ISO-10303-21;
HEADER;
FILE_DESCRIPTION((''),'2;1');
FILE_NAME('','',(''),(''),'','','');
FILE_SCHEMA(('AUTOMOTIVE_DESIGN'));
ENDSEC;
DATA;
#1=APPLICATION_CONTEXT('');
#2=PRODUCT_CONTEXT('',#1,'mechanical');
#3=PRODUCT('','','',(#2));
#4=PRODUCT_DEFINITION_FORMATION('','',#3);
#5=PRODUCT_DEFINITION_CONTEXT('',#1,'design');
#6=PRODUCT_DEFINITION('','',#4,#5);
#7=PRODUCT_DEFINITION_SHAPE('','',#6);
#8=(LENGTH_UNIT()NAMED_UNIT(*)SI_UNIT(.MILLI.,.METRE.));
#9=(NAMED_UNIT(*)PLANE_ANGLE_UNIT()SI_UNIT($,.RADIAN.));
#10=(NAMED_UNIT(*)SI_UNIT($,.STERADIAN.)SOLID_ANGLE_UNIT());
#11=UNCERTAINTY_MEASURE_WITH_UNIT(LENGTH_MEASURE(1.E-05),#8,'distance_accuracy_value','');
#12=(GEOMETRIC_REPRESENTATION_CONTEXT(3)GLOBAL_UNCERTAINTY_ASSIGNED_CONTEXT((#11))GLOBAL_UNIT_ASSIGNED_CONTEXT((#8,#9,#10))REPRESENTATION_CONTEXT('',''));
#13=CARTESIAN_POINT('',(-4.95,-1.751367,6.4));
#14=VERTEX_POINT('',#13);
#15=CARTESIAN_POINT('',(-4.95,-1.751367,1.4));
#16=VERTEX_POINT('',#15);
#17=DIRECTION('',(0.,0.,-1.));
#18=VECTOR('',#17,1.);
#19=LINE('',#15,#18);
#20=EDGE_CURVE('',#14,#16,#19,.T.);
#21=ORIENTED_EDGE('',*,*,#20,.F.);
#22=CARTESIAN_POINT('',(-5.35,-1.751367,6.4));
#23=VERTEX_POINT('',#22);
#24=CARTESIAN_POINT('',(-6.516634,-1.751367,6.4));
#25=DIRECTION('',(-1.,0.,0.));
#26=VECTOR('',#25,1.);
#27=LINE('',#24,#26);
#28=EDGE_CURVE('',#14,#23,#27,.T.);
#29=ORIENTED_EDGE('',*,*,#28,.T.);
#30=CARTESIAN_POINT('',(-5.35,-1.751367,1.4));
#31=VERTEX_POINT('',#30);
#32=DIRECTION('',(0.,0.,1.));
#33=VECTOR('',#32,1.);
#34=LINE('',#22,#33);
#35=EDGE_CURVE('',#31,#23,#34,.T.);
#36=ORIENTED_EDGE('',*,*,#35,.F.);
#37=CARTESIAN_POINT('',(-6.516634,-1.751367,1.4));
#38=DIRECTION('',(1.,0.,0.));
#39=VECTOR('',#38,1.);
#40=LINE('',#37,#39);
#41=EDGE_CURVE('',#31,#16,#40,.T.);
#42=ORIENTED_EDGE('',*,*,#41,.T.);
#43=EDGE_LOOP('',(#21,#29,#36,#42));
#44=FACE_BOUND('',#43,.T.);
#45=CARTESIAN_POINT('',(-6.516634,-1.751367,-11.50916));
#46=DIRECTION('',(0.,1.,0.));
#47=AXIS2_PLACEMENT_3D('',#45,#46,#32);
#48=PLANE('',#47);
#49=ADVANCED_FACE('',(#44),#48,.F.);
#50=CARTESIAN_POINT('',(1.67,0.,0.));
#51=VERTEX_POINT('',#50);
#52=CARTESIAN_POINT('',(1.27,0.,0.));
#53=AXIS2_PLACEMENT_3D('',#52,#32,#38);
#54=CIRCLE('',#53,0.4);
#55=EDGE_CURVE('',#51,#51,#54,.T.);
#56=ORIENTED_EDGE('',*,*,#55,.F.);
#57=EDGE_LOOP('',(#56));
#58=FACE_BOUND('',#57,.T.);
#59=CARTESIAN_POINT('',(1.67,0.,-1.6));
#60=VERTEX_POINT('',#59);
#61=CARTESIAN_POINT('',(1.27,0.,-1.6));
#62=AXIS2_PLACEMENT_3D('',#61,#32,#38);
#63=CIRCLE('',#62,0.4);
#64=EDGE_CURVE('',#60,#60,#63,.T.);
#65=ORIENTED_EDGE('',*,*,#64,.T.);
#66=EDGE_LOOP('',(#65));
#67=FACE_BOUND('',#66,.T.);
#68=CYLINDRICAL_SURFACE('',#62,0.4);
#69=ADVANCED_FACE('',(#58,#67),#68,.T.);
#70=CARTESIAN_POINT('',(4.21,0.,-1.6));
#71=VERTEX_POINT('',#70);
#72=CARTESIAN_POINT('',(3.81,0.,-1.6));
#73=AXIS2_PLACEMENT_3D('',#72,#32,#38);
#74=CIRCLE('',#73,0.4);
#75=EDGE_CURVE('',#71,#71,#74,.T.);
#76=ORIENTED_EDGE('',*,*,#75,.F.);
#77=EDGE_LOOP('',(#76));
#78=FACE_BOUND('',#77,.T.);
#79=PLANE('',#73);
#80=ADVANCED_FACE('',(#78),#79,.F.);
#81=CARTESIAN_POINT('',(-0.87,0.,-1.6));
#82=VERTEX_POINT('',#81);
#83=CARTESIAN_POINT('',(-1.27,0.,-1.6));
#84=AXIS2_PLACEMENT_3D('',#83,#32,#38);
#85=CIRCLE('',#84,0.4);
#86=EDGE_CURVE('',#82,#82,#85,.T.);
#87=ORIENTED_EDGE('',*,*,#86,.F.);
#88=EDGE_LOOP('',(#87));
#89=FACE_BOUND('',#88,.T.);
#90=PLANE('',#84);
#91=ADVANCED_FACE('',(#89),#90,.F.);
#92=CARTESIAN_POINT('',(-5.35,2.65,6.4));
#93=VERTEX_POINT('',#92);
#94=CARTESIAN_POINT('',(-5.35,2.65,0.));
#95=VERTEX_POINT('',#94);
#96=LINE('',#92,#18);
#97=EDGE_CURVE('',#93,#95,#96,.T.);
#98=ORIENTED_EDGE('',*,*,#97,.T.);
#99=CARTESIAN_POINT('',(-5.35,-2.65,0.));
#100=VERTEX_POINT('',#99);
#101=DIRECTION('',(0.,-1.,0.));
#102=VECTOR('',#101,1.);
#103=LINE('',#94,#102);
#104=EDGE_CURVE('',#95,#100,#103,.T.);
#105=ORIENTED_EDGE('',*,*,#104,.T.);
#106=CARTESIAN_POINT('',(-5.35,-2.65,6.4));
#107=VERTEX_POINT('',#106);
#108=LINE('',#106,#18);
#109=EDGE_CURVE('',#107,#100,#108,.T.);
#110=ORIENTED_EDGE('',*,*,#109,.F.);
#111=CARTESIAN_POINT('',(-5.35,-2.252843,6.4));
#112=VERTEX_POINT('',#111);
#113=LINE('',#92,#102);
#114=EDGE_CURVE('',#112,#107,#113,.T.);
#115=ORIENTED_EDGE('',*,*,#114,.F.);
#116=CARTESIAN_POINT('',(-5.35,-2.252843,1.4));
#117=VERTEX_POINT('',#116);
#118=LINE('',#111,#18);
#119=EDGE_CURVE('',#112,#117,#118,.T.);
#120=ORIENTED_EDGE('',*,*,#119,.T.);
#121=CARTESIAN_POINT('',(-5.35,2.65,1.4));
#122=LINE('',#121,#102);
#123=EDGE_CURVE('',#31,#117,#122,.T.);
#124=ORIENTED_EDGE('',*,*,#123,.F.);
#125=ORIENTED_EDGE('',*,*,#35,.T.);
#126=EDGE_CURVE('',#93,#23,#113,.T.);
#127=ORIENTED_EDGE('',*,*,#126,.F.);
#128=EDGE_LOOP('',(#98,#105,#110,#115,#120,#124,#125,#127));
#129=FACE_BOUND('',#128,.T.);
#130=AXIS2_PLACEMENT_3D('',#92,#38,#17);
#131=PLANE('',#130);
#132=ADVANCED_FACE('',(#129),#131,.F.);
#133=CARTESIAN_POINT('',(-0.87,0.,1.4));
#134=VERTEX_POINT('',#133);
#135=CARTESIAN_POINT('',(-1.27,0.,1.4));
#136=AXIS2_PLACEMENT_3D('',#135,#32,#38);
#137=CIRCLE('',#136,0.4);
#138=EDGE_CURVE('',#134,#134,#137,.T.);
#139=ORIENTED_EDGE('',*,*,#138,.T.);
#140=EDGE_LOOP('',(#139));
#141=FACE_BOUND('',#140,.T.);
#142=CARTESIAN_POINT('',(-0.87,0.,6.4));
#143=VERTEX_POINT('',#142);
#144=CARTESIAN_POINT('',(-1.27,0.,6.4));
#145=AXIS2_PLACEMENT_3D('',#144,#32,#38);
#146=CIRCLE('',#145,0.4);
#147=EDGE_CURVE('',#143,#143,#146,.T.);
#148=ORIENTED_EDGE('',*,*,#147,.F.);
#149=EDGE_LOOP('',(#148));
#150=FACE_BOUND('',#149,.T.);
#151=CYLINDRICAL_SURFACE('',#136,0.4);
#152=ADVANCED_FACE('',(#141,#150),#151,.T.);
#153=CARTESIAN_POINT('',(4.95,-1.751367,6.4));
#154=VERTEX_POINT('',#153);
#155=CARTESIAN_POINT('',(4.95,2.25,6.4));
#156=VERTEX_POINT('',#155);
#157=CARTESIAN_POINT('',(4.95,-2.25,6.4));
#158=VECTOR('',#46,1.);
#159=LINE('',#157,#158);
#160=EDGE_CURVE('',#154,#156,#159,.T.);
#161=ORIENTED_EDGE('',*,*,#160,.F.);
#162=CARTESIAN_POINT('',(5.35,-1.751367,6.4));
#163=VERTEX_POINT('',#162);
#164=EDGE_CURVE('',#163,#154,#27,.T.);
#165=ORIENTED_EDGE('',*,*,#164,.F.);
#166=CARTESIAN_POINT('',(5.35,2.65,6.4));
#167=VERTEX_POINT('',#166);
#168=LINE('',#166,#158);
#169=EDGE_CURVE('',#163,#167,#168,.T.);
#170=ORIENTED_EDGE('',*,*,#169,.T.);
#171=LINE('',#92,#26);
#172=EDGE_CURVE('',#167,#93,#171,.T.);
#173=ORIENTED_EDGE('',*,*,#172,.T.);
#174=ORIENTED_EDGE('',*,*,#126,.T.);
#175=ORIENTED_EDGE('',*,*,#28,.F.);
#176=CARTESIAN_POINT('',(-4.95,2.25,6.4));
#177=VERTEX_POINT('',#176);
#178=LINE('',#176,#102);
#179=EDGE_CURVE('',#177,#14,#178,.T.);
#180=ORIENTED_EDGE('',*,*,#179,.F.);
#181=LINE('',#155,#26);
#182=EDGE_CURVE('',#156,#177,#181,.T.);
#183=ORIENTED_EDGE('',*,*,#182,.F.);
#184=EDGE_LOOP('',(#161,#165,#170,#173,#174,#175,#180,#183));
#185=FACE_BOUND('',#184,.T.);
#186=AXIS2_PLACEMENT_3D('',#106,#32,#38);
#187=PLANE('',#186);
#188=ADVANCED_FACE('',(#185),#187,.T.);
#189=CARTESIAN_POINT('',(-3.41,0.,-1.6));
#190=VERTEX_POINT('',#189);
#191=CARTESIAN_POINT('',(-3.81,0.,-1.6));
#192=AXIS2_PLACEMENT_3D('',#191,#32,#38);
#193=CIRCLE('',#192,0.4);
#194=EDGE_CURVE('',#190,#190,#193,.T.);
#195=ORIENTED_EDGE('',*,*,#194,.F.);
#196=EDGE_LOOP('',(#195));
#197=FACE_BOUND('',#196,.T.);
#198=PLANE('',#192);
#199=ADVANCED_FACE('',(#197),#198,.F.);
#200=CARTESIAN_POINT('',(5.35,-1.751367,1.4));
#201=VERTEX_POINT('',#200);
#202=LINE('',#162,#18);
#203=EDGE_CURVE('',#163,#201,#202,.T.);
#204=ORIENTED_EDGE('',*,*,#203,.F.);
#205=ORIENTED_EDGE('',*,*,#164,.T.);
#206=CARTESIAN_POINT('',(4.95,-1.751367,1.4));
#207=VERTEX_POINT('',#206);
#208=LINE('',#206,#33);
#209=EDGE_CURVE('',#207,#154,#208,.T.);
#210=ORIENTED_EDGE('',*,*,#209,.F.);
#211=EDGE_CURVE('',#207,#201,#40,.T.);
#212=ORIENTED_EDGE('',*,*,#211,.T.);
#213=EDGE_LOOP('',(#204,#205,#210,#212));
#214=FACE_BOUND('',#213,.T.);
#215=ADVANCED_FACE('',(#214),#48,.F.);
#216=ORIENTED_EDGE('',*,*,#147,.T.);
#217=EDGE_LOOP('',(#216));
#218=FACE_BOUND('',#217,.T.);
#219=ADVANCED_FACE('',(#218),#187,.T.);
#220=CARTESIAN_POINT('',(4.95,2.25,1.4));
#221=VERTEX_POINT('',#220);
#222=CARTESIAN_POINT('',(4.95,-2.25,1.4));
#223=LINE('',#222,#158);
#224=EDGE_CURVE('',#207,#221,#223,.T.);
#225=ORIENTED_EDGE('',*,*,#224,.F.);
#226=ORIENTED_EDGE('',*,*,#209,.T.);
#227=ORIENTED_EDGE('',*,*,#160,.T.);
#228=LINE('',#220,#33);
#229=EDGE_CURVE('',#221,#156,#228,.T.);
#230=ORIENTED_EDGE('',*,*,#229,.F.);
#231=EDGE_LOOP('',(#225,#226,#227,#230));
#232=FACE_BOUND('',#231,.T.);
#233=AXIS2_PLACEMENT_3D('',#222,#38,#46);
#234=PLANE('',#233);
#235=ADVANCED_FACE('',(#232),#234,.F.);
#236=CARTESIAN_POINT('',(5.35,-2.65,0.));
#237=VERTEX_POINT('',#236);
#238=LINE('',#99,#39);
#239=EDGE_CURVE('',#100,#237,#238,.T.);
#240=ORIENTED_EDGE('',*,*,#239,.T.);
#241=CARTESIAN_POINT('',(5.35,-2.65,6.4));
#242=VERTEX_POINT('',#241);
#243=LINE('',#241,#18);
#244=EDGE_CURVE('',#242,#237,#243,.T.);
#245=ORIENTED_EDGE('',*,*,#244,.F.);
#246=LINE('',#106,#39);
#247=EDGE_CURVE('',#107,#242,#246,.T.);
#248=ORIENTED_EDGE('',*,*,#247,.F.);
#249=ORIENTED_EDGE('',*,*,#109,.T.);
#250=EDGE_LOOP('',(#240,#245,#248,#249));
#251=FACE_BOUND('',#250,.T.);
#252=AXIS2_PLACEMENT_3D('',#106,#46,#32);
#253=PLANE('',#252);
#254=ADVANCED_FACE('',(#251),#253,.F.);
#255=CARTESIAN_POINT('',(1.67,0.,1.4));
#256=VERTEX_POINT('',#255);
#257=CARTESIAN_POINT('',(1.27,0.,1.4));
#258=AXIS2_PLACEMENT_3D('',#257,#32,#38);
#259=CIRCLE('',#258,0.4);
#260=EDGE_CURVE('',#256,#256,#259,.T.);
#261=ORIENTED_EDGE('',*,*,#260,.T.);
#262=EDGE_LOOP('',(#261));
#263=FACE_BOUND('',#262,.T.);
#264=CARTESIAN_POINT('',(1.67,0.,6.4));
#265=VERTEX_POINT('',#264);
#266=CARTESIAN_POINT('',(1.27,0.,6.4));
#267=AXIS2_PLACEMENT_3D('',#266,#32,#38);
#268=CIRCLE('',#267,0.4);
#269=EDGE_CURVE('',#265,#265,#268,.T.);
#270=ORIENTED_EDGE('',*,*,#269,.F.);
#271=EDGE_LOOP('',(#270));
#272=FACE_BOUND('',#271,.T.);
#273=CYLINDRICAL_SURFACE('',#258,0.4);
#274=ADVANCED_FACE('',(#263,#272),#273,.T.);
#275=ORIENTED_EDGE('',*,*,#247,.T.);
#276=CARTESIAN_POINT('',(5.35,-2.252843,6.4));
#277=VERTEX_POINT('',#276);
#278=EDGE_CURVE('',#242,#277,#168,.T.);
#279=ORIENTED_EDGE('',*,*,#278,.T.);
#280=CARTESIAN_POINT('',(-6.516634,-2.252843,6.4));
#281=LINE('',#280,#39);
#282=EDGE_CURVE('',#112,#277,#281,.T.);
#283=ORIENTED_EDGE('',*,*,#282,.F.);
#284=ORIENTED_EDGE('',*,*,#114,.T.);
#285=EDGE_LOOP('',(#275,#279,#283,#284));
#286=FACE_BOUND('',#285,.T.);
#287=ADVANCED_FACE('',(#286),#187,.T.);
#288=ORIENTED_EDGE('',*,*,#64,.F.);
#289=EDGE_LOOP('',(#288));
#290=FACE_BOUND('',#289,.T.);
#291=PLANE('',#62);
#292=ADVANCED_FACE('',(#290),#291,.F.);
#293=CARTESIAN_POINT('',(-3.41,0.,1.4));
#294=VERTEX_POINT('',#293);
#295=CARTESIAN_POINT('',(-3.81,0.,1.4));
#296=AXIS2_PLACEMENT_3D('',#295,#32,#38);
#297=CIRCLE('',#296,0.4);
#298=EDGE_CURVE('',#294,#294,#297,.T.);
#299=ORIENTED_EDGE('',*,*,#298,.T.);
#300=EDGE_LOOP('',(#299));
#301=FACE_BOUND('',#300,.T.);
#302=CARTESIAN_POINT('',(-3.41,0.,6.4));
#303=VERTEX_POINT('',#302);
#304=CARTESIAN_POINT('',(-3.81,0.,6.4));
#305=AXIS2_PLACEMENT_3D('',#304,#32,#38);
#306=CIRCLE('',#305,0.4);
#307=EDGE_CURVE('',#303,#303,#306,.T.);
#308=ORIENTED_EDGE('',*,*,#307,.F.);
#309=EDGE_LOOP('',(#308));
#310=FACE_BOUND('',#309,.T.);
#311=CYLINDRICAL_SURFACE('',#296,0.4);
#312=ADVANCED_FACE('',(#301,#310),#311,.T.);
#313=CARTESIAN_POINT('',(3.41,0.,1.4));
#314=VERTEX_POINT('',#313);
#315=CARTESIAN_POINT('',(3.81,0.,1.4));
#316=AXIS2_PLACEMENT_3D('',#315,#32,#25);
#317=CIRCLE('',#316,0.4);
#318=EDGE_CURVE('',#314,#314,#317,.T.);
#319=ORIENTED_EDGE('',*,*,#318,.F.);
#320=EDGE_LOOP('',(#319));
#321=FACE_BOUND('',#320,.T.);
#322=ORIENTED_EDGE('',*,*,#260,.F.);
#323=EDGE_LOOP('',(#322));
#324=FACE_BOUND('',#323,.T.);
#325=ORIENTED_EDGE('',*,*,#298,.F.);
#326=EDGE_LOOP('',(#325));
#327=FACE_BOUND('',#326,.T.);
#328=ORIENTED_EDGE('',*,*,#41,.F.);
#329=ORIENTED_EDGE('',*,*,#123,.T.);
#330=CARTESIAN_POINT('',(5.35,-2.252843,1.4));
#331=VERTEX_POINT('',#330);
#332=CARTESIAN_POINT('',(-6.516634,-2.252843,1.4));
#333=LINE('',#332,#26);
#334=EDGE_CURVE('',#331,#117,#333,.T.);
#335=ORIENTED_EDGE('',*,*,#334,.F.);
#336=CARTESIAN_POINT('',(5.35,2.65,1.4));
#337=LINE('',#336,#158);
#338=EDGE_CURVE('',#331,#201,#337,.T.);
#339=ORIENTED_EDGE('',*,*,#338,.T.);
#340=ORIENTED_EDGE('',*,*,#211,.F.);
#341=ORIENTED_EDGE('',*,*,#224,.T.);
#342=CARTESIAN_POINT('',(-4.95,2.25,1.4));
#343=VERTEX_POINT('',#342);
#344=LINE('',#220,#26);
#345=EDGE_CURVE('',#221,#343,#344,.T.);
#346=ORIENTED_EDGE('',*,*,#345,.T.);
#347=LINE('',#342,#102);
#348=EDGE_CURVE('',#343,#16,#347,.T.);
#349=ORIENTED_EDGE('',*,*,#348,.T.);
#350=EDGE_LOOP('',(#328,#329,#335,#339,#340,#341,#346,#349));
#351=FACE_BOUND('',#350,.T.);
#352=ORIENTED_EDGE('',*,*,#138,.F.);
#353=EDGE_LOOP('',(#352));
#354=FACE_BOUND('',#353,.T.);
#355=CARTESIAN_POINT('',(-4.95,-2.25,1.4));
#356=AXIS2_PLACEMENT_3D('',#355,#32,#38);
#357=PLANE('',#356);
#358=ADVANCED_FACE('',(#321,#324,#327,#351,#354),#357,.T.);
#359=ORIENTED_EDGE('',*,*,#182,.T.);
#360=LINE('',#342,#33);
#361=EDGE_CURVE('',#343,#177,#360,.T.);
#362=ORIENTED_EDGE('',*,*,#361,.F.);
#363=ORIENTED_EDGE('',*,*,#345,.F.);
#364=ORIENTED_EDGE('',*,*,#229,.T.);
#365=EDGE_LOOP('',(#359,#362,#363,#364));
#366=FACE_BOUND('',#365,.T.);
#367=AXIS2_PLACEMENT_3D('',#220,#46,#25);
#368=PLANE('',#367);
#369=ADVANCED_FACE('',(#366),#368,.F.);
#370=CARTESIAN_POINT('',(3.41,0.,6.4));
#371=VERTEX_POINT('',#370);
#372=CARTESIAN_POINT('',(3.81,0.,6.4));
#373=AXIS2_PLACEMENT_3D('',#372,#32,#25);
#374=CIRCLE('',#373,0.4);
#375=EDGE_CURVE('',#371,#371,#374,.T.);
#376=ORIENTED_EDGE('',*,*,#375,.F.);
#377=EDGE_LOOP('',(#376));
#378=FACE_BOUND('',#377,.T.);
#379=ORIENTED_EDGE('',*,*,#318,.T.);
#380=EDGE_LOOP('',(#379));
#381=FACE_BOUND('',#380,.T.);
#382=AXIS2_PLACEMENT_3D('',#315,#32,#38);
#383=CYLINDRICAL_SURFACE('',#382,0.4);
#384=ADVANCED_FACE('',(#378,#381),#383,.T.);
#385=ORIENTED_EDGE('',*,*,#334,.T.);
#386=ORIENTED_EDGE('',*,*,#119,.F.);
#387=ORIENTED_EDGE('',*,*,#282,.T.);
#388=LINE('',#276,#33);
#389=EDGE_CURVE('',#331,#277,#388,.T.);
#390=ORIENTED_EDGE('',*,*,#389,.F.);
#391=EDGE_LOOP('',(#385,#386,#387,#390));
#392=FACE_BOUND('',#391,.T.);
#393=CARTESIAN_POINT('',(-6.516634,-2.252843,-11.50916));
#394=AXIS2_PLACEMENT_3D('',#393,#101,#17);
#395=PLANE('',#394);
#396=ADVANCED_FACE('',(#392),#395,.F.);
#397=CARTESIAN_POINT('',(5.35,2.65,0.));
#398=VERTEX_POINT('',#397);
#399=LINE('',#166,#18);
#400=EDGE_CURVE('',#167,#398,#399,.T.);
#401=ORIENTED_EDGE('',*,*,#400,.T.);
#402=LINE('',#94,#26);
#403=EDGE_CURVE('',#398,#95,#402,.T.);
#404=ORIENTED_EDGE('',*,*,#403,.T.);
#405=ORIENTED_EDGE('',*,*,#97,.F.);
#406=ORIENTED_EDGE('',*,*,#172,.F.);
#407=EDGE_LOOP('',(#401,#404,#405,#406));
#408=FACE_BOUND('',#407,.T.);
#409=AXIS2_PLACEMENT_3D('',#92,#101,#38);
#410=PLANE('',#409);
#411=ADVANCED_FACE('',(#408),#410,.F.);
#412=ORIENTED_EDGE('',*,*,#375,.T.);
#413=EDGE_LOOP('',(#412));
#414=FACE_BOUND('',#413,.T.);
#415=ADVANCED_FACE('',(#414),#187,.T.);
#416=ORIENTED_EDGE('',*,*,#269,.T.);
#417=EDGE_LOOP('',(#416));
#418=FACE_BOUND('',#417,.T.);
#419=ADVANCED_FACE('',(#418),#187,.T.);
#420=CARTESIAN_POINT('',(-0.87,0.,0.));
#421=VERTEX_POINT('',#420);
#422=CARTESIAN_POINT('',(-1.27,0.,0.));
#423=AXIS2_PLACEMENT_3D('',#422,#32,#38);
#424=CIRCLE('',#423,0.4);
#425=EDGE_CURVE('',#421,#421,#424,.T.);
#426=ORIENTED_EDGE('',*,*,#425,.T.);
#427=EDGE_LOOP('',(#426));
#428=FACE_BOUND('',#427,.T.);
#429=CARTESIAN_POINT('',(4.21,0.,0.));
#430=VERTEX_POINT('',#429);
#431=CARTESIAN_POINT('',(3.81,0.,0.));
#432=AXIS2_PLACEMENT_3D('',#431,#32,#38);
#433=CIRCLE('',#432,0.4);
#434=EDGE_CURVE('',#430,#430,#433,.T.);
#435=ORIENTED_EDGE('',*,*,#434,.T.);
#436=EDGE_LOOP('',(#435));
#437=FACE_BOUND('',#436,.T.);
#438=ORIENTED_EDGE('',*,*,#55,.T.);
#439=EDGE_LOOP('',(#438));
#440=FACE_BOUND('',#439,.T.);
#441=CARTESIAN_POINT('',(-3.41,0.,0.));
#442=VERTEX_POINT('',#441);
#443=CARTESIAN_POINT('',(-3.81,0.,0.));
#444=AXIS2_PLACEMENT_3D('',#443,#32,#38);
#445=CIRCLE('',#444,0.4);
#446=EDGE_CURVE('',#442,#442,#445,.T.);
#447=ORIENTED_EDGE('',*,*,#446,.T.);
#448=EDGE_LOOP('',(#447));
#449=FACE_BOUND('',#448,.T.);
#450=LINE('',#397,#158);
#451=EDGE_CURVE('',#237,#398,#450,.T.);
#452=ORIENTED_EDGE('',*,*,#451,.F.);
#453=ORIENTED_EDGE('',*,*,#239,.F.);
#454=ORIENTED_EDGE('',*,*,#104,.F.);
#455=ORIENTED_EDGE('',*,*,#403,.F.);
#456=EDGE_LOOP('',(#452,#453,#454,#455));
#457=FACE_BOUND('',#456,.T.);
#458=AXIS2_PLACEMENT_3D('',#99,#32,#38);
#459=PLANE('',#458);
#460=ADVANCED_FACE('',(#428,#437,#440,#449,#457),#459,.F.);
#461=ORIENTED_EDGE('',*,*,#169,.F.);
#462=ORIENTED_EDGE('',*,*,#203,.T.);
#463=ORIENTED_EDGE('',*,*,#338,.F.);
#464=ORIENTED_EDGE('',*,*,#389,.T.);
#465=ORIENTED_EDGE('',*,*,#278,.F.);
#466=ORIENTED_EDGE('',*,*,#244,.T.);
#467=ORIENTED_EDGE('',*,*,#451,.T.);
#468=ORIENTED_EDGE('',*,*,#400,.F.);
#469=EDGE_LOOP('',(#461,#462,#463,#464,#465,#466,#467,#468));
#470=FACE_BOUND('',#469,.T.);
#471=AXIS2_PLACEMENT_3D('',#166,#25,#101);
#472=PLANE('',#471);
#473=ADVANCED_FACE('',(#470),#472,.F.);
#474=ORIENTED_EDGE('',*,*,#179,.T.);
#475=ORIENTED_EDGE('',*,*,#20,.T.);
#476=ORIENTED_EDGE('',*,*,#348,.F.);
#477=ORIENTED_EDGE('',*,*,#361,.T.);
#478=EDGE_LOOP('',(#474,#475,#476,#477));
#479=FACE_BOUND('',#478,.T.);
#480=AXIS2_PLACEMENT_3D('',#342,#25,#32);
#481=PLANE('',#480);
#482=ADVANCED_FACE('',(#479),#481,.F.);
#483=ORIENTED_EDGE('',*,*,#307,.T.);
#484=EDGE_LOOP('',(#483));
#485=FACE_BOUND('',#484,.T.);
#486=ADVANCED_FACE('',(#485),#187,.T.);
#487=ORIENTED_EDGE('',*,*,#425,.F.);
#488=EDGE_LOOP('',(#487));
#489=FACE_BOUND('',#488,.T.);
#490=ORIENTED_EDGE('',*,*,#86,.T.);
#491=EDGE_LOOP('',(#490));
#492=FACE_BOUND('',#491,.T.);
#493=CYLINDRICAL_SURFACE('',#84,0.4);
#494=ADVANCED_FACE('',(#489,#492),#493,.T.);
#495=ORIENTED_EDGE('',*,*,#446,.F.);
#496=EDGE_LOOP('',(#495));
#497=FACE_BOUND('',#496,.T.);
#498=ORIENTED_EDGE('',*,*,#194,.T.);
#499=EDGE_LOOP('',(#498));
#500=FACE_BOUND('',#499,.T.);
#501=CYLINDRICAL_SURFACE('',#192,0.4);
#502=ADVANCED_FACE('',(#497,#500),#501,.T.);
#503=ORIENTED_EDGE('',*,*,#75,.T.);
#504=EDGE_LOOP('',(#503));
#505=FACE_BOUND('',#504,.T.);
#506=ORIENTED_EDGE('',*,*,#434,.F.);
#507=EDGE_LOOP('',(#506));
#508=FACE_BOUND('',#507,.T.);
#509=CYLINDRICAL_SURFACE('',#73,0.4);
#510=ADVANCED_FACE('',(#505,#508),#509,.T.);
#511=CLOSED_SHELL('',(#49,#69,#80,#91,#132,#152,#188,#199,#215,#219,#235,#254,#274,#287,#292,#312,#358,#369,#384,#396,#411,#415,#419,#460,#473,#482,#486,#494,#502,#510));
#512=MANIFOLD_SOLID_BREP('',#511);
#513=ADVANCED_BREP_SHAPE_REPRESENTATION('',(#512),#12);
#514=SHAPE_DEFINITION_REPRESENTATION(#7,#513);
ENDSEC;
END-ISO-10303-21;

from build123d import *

# Parameters (mm, degrees)
SKETCH_1_W          = 10.7
SKETCH_1_H          = 5.3
EXTRUDE_1_DEPTH     = 6.4
SKETCH_2_W          = 9.9
SKETCH_2_H          = 4.5
SKETCH_2_R          = 0.4
CUT_EXTRUDE_1_DEPTH = 5
SKETCH_3_W          = 12.899416502
SKETCH_3_H          = 0.501475964
CUT_EXTRUDE_2_DEPTH = 5
SKETCH_4_R          = 0.4
EXTRUDE_2_DEPTH     = 8


with BuildPart() as part:
    # Эскиз1 → Вытянуть1 (new body)
    with BuildSketch(Plane.XY):
        Rectangle(SKETCH_1_W, SKETCH_1_H)
    extrude(amount=EXTRUDE_1_DEPTH)

    # Эскиз2 → Вырез-Вытянуть1 (cut)
    with BuildSketch(Plane.XY.offset(6.4)):
        Rectangle(SKETCH_2_W, SKETCH_2_H)
        with Locations((-1.27, 0)):
            Circle(SKETCH_2_R, mode=Mode.SUBTRACT)
        with Locations((1.27, 0)):
            Circle(SKETCH_2_R, mode=Mode.SUBTRACT)
        with Locations((-3.81, 0)):
            Circle(SKETCH_2_R, mode=Mode.SUBTRACT)
        with Locations(Location((3.81, 0, 0), (0, 0, 180))):
            Circle(SKETCH_2_R, mode=Mode.SUBTRACT)
    extrude(amount=-CUT_EXTRUDE_1_DEPTH, mode=Mode.SUBTRACT)

    # Эскиз3 → Вырез-Вытянуть2 (cut)
    with BuildSketch(Plane.XY.offset(6.4)):
        with Locations((-0.066925705, -2.002104797)):
            Rectangle(SKETCH_3_W, SKETCH_3_H)
    extrude(amount=-CUT_EXTRUDE_2_DEPTH, mode=Mode.SUBTRACT)

    # Эскиз4 → Вытянуть2 (add)
    with BuildSketch(Plane.XY.offset(6.4)):
        with Locations((-1.27, 0)):
            Circle(SKETCH_4_R)
        with Locations((1.27, 0)):
            Circle(SKETCH_4_R)
        with Locations((-3.81, 0)):
            Circle(SKETCH_4_R)
        with Locations(Location((3.81, 0, 0), (0, 0, 180))):
            Circle(SKETCH_4_R)
    extrude(amount=-EXTRUDE_2_DEPTH)


solid = part.part
